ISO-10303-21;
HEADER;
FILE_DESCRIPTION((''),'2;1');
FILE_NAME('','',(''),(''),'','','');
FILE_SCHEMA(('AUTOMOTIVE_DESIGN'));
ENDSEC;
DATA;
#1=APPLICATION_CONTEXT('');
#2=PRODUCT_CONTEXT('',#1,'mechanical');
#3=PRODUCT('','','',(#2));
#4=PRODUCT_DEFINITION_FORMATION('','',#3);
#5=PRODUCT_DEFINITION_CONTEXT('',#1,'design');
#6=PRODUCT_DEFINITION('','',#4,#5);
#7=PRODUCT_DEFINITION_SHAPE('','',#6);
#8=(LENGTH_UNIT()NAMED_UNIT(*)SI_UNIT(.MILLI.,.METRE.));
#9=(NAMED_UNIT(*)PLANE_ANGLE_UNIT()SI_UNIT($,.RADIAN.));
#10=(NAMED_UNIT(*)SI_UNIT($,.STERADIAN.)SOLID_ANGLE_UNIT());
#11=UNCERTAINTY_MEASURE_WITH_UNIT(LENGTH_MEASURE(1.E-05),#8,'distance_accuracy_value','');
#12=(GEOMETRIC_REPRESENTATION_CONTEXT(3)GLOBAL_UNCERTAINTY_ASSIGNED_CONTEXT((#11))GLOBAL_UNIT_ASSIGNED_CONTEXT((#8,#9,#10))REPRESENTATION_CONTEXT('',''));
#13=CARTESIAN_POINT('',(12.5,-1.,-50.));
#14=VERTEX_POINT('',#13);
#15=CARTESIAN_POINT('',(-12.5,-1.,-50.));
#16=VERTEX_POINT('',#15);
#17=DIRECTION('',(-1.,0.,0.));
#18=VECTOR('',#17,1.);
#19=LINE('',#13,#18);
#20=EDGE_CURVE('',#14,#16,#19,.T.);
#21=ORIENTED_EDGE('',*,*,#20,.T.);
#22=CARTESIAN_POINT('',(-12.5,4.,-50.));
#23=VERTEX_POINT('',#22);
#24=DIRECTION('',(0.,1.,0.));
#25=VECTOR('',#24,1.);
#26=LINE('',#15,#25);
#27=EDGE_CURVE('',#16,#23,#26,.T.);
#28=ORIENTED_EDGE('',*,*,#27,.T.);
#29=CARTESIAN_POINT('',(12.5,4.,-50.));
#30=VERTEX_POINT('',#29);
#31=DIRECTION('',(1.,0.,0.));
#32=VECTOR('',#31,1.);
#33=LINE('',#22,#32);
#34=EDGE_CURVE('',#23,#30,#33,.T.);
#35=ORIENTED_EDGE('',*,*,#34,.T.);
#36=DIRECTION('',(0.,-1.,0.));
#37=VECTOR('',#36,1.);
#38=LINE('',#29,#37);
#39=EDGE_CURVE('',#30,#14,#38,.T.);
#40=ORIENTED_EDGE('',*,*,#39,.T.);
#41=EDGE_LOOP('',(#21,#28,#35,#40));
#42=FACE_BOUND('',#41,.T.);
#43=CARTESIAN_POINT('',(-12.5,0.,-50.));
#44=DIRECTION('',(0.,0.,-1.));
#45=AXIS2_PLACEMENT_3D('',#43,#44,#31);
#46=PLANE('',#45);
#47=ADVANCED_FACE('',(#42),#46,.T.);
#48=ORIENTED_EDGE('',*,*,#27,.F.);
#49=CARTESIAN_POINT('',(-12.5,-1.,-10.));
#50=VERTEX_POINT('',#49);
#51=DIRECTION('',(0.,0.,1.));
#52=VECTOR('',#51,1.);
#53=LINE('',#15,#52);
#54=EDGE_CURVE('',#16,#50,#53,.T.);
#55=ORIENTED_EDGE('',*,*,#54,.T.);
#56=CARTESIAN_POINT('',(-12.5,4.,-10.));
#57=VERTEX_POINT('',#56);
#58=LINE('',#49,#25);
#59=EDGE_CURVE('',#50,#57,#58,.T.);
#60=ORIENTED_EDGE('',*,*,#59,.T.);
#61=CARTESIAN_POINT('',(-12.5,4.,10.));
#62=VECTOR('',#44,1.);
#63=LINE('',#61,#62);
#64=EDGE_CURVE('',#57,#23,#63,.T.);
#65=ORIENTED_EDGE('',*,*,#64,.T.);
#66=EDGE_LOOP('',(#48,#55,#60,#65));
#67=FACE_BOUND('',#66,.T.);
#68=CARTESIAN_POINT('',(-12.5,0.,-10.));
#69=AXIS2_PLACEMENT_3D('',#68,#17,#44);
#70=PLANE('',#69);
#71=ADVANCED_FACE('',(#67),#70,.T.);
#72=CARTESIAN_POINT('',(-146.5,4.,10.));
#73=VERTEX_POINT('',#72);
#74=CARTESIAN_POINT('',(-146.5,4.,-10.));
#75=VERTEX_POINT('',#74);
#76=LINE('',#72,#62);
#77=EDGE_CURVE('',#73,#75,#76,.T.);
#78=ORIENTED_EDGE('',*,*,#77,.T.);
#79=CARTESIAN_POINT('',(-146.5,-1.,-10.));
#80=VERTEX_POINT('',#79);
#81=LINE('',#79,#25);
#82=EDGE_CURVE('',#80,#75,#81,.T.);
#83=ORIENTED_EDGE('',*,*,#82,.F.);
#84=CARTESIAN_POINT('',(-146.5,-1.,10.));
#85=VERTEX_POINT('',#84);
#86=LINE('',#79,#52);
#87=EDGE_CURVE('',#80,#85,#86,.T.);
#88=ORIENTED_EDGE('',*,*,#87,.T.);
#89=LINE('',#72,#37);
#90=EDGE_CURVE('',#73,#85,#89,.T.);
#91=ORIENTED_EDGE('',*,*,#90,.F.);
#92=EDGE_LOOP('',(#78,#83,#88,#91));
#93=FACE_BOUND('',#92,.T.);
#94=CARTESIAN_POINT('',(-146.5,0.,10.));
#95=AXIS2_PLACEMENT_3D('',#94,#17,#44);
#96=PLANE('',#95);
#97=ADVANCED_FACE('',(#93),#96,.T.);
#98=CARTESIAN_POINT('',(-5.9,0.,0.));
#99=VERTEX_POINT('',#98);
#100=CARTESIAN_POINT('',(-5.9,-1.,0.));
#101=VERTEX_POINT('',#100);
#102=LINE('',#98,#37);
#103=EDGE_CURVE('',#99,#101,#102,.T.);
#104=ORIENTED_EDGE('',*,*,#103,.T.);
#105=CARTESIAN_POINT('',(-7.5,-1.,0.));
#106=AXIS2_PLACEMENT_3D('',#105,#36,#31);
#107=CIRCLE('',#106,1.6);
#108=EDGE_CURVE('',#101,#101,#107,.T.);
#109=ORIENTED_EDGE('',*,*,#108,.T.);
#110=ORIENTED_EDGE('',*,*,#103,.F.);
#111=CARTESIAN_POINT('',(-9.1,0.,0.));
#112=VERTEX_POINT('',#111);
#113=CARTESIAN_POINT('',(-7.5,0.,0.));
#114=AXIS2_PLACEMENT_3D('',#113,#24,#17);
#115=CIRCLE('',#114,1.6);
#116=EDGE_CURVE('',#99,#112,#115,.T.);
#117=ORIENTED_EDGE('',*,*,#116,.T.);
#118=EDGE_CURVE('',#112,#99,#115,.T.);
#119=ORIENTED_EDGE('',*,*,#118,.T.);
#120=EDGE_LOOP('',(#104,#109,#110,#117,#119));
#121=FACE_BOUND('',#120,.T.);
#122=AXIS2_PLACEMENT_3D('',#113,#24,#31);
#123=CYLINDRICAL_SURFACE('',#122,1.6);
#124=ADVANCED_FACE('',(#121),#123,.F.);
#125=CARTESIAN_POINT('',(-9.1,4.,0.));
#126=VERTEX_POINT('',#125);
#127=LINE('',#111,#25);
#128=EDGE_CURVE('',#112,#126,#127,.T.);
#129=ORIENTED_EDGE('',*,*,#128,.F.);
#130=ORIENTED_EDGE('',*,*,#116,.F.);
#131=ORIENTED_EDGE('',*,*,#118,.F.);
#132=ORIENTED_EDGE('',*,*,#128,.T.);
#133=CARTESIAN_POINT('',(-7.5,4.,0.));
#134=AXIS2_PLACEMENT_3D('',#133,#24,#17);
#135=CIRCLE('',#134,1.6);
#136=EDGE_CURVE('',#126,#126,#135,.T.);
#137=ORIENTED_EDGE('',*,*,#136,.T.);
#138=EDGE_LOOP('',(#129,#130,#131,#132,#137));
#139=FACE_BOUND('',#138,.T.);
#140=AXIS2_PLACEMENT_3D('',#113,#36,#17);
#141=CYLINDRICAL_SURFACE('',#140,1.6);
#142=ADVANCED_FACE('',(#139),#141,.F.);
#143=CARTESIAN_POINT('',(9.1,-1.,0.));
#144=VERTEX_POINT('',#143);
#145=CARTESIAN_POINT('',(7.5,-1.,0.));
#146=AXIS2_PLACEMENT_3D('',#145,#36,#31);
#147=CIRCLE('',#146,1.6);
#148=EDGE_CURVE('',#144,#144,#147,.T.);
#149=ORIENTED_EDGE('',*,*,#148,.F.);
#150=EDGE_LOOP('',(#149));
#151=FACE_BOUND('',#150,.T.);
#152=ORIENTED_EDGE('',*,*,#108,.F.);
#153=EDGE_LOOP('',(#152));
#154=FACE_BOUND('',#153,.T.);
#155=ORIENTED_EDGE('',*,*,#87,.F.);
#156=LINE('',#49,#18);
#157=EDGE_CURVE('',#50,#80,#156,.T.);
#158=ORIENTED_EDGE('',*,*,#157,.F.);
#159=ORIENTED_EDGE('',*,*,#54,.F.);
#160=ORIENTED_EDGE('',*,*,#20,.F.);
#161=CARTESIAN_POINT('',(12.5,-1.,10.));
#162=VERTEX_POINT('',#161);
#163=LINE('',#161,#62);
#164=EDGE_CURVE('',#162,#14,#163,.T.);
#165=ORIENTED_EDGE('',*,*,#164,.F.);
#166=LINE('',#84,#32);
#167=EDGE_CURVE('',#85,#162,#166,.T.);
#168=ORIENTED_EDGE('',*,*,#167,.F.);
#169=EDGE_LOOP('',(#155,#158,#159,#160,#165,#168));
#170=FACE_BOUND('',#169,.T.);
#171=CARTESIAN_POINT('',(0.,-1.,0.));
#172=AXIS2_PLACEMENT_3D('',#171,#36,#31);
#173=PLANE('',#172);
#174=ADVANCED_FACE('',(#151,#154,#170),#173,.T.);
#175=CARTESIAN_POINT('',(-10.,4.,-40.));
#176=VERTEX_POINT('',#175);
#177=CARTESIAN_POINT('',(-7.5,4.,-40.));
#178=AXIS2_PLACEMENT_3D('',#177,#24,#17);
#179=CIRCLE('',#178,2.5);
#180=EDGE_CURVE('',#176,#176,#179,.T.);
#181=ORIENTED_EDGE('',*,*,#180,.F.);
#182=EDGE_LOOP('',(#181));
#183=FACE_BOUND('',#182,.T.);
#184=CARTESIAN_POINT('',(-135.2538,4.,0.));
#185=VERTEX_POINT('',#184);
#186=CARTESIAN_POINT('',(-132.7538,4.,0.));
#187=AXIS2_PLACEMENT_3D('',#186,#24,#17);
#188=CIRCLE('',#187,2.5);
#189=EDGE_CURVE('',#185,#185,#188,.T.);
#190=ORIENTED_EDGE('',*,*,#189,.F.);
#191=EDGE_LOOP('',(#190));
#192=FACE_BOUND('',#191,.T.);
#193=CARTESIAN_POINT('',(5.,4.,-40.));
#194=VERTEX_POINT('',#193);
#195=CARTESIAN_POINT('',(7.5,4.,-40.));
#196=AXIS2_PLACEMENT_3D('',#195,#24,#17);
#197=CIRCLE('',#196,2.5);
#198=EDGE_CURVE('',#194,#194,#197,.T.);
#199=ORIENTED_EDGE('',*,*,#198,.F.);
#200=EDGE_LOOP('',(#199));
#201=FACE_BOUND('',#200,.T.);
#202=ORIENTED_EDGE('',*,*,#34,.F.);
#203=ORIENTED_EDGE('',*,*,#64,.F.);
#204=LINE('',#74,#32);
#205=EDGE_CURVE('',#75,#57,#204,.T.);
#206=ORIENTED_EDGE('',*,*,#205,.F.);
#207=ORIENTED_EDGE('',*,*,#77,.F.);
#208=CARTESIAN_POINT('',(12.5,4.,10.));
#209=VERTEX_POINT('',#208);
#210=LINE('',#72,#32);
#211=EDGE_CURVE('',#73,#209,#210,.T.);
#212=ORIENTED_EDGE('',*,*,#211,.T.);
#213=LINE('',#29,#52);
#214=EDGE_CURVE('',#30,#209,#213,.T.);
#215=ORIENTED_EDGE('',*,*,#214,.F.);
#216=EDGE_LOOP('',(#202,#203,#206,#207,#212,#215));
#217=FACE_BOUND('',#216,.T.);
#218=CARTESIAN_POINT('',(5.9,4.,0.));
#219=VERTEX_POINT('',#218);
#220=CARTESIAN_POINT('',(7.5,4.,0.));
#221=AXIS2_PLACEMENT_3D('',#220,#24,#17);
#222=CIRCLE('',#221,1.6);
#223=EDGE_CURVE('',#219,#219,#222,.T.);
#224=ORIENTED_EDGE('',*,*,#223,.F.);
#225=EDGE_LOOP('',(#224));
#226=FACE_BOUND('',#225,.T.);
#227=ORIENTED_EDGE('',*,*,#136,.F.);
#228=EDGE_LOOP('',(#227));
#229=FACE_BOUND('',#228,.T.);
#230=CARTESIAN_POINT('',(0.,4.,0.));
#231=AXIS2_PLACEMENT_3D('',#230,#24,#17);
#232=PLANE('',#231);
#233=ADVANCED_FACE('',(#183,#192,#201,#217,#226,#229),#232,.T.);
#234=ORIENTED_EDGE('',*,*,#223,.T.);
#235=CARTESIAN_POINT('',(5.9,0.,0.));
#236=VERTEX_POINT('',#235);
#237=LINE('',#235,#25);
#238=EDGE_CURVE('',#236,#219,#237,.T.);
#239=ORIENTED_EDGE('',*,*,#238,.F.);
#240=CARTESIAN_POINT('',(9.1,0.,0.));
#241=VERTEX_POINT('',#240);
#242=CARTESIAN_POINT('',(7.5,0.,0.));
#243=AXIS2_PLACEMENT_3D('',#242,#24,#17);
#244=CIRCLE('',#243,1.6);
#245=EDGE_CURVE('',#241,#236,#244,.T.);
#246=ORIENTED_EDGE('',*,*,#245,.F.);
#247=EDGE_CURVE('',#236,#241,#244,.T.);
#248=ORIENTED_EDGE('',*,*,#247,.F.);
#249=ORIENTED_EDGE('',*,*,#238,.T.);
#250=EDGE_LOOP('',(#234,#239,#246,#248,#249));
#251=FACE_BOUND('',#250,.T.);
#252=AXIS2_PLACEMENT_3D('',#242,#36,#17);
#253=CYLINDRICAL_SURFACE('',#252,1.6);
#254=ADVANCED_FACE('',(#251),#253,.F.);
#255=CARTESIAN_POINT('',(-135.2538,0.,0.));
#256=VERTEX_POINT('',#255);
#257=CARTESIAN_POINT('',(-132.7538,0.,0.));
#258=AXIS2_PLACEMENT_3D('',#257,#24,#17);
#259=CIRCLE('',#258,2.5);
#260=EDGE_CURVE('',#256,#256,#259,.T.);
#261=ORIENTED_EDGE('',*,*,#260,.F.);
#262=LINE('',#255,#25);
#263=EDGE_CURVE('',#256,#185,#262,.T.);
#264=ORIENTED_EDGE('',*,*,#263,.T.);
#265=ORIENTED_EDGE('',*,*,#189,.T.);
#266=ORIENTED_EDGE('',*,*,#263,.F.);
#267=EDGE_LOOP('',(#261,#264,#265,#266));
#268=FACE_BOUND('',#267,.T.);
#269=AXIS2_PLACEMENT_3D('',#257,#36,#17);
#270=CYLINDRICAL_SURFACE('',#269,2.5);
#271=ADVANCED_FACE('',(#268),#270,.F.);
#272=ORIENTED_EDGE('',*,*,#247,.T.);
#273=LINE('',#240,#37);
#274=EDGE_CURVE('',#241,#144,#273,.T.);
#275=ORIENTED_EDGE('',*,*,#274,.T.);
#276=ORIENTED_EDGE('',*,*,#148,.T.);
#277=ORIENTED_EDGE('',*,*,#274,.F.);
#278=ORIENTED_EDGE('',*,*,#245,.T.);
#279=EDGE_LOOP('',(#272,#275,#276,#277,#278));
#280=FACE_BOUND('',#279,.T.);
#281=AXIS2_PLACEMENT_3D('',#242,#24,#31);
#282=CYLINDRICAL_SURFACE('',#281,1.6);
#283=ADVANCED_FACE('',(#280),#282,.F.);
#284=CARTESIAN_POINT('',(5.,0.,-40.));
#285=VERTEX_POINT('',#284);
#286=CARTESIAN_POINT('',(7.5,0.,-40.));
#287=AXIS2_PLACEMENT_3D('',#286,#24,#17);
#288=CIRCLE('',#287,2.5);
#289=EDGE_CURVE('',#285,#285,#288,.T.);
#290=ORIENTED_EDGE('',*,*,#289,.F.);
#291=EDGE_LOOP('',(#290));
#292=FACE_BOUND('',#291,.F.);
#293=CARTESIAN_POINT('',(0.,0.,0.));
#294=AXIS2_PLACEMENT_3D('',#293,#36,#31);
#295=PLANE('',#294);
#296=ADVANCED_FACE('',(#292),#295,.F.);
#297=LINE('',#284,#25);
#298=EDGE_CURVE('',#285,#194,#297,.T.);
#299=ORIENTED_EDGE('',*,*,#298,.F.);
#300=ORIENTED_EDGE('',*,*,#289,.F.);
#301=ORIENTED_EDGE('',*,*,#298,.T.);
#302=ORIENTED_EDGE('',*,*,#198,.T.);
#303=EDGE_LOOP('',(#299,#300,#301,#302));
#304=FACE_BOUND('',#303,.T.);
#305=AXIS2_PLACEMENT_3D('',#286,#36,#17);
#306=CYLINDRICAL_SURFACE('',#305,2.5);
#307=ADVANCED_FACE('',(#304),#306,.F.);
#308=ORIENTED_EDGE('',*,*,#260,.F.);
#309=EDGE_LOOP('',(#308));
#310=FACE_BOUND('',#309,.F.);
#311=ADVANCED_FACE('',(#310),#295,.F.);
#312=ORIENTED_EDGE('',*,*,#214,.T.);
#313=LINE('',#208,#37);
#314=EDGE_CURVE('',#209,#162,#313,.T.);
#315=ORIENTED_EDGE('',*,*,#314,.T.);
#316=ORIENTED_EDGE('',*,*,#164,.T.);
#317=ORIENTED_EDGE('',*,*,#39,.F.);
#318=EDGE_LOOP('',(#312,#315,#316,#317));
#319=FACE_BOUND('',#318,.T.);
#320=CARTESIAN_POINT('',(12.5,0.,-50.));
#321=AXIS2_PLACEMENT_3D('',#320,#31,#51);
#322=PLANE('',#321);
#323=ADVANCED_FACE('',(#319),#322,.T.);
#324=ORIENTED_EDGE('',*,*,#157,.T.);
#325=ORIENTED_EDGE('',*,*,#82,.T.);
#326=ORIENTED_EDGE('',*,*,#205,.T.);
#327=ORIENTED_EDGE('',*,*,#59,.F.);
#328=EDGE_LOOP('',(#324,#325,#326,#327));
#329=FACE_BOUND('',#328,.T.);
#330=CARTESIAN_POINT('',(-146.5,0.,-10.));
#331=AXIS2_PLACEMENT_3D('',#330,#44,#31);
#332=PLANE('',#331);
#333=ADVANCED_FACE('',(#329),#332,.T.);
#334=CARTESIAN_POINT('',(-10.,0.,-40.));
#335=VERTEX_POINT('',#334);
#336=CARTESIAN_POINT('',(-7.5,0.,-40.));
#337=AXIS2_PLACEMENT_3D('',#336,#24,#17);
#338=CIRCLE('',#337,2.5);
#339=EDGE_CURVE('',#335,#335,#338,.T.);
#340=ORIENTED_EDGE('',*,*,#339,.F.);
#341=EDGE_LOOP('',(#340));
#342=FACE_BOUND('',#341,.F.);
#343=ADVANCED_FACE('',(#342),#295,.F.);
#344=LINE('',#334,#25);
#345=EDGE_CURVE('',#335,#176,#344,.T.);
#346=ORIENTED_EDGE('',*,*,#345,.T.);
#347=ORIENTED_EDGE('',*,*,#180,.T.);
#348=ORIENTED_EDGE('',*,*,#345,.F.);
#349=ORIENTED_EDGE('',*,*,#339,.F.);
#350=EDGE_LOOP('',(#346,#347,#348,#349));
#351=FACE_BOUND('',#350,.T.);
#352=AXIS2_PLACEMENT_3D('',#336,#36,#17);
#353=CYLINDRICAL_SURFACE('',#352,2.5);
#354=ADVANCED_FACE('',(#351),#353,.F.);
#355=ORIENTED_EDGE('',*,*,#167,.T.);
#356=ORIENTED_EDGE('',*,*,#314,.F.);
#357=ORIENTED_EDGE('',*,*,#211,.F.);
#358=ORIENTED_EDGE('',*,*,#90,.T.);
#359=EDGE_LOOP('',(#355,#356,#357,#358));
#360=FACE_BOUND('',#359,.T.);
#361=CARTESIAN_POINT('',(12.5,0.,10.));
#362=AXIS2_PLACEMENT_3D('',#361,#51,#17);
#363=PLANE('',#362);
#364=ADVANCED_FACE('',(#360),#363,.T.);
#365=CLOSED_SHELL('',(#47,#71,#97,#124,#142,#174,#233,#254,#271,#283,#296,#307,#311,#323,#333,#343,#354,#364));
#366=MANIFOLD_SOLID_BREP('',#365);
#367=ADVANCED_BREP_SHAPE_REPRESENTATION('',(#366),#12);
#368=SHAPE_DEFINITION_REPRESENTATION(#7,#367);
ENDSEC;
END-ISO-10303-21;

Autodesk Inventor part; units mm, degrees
ref_plane "YZ Plane" through (0, 0, 0) normal (1, 0, 0) x (0, 1, 0)
ref_plane "XZ Plane" through (0, 0, 0) normal (0, 1, 0) x (-1, 0, 0)
ref_plane "XY Plane" through (0, 0, 0) normal (0, 0, 1) x (1, 0, 0)
sketch "Sketch1" plane through (0, 0, 0) normal (0, 1, 0) x (-1, 0, 0)
  line L0 (12.5, -50) -> (-12.5, -50)
  line L1 (-12.5, -50) -> (-12.5, 10)
  line L2 (-12.5, 10) -> (12.5, 10)
  line L3 (12.5, 10) -> (12.5, -50)
  line L4 (12.5, 0) -> (-12.5, 0) construction
  line L5 (0, -50) -> (0, 10) construction
  circle A0 centre (7.5, 0) radius 1.6
  line L6 (12.5, 10) -> (146.5, 10)
  line L7 (146.5, 10) -> (146.5, -10)
  line L8 (146.5, -10) -> (12.5, -10)
  line L9 (12.5, -10) -> (12.5, 10)
  line L10 (146.5, 0) -> (12.5, 0) construction
  circle A1 centre (132.7538, 0) radius 2.5
  circle A2 centre (-7.5, 0) radius 1.6
  line L11 (12.5, -40) -> (-12.5, -40) construction
  circle A3 centre (7.5, -40) radius 2.5
  circle A4 centre (-7.5, -40) radius 2.5
  point P0 (0, 0)
  point P1 (0, 0)
  point P2 (12.5, -10)
  dimension "d0" = 3.2
  dimension "d1" = 15
  dimension "d3" = 10
  dimension "d4" = 60
  dimension "d5" = 25
  dimension "d6" = 134
  dimension "d7" = 20
  dimension "d8" = 5
  dimension "d9" = 10
  dimension "d10" = 5
  dimension "d11" = 15
extrude "Extrusion1" add sketch "Sketch1" along normal blind 4
sketch "Sketch2" plane through (0, 0, 0) normal (0, -1, 0) x (1, 0, 0)
  line L0 (-146.5, 10) -> (12.5, 10) projected
  line L1 (-146.5, -10) -> (-146.5, 10) projected
  line L2 (-12.5, -10) -> (-146.5, -10) projected
  line L3 (-12.5, -50) -> (-12.5, -10) projected
  line L4 (12.5, -50) -> (-12.5, -50) projected
  line L5 (12.5, 10) -> (12.5, -50) projected
  circle A0 centre (-7.5, 0) radius 1.6 projected
  circle A1 centre (7.5, 0) radius 1.6 projected
  circle A2 centre (-7.5, -40) radius 2.5 projected
  circle A3 centre (7.5, -40) radius 2.5 projected
  circle A4 centre (-132.7538, 0) radius 2.5 projected
extrude "Extrusion2" add sketch "Sketch2" along normal blind 1 contours L0 L5 L4 L3 L2 L1 | A2 | A3 | A4
properties part number "y_axis_extensor"
